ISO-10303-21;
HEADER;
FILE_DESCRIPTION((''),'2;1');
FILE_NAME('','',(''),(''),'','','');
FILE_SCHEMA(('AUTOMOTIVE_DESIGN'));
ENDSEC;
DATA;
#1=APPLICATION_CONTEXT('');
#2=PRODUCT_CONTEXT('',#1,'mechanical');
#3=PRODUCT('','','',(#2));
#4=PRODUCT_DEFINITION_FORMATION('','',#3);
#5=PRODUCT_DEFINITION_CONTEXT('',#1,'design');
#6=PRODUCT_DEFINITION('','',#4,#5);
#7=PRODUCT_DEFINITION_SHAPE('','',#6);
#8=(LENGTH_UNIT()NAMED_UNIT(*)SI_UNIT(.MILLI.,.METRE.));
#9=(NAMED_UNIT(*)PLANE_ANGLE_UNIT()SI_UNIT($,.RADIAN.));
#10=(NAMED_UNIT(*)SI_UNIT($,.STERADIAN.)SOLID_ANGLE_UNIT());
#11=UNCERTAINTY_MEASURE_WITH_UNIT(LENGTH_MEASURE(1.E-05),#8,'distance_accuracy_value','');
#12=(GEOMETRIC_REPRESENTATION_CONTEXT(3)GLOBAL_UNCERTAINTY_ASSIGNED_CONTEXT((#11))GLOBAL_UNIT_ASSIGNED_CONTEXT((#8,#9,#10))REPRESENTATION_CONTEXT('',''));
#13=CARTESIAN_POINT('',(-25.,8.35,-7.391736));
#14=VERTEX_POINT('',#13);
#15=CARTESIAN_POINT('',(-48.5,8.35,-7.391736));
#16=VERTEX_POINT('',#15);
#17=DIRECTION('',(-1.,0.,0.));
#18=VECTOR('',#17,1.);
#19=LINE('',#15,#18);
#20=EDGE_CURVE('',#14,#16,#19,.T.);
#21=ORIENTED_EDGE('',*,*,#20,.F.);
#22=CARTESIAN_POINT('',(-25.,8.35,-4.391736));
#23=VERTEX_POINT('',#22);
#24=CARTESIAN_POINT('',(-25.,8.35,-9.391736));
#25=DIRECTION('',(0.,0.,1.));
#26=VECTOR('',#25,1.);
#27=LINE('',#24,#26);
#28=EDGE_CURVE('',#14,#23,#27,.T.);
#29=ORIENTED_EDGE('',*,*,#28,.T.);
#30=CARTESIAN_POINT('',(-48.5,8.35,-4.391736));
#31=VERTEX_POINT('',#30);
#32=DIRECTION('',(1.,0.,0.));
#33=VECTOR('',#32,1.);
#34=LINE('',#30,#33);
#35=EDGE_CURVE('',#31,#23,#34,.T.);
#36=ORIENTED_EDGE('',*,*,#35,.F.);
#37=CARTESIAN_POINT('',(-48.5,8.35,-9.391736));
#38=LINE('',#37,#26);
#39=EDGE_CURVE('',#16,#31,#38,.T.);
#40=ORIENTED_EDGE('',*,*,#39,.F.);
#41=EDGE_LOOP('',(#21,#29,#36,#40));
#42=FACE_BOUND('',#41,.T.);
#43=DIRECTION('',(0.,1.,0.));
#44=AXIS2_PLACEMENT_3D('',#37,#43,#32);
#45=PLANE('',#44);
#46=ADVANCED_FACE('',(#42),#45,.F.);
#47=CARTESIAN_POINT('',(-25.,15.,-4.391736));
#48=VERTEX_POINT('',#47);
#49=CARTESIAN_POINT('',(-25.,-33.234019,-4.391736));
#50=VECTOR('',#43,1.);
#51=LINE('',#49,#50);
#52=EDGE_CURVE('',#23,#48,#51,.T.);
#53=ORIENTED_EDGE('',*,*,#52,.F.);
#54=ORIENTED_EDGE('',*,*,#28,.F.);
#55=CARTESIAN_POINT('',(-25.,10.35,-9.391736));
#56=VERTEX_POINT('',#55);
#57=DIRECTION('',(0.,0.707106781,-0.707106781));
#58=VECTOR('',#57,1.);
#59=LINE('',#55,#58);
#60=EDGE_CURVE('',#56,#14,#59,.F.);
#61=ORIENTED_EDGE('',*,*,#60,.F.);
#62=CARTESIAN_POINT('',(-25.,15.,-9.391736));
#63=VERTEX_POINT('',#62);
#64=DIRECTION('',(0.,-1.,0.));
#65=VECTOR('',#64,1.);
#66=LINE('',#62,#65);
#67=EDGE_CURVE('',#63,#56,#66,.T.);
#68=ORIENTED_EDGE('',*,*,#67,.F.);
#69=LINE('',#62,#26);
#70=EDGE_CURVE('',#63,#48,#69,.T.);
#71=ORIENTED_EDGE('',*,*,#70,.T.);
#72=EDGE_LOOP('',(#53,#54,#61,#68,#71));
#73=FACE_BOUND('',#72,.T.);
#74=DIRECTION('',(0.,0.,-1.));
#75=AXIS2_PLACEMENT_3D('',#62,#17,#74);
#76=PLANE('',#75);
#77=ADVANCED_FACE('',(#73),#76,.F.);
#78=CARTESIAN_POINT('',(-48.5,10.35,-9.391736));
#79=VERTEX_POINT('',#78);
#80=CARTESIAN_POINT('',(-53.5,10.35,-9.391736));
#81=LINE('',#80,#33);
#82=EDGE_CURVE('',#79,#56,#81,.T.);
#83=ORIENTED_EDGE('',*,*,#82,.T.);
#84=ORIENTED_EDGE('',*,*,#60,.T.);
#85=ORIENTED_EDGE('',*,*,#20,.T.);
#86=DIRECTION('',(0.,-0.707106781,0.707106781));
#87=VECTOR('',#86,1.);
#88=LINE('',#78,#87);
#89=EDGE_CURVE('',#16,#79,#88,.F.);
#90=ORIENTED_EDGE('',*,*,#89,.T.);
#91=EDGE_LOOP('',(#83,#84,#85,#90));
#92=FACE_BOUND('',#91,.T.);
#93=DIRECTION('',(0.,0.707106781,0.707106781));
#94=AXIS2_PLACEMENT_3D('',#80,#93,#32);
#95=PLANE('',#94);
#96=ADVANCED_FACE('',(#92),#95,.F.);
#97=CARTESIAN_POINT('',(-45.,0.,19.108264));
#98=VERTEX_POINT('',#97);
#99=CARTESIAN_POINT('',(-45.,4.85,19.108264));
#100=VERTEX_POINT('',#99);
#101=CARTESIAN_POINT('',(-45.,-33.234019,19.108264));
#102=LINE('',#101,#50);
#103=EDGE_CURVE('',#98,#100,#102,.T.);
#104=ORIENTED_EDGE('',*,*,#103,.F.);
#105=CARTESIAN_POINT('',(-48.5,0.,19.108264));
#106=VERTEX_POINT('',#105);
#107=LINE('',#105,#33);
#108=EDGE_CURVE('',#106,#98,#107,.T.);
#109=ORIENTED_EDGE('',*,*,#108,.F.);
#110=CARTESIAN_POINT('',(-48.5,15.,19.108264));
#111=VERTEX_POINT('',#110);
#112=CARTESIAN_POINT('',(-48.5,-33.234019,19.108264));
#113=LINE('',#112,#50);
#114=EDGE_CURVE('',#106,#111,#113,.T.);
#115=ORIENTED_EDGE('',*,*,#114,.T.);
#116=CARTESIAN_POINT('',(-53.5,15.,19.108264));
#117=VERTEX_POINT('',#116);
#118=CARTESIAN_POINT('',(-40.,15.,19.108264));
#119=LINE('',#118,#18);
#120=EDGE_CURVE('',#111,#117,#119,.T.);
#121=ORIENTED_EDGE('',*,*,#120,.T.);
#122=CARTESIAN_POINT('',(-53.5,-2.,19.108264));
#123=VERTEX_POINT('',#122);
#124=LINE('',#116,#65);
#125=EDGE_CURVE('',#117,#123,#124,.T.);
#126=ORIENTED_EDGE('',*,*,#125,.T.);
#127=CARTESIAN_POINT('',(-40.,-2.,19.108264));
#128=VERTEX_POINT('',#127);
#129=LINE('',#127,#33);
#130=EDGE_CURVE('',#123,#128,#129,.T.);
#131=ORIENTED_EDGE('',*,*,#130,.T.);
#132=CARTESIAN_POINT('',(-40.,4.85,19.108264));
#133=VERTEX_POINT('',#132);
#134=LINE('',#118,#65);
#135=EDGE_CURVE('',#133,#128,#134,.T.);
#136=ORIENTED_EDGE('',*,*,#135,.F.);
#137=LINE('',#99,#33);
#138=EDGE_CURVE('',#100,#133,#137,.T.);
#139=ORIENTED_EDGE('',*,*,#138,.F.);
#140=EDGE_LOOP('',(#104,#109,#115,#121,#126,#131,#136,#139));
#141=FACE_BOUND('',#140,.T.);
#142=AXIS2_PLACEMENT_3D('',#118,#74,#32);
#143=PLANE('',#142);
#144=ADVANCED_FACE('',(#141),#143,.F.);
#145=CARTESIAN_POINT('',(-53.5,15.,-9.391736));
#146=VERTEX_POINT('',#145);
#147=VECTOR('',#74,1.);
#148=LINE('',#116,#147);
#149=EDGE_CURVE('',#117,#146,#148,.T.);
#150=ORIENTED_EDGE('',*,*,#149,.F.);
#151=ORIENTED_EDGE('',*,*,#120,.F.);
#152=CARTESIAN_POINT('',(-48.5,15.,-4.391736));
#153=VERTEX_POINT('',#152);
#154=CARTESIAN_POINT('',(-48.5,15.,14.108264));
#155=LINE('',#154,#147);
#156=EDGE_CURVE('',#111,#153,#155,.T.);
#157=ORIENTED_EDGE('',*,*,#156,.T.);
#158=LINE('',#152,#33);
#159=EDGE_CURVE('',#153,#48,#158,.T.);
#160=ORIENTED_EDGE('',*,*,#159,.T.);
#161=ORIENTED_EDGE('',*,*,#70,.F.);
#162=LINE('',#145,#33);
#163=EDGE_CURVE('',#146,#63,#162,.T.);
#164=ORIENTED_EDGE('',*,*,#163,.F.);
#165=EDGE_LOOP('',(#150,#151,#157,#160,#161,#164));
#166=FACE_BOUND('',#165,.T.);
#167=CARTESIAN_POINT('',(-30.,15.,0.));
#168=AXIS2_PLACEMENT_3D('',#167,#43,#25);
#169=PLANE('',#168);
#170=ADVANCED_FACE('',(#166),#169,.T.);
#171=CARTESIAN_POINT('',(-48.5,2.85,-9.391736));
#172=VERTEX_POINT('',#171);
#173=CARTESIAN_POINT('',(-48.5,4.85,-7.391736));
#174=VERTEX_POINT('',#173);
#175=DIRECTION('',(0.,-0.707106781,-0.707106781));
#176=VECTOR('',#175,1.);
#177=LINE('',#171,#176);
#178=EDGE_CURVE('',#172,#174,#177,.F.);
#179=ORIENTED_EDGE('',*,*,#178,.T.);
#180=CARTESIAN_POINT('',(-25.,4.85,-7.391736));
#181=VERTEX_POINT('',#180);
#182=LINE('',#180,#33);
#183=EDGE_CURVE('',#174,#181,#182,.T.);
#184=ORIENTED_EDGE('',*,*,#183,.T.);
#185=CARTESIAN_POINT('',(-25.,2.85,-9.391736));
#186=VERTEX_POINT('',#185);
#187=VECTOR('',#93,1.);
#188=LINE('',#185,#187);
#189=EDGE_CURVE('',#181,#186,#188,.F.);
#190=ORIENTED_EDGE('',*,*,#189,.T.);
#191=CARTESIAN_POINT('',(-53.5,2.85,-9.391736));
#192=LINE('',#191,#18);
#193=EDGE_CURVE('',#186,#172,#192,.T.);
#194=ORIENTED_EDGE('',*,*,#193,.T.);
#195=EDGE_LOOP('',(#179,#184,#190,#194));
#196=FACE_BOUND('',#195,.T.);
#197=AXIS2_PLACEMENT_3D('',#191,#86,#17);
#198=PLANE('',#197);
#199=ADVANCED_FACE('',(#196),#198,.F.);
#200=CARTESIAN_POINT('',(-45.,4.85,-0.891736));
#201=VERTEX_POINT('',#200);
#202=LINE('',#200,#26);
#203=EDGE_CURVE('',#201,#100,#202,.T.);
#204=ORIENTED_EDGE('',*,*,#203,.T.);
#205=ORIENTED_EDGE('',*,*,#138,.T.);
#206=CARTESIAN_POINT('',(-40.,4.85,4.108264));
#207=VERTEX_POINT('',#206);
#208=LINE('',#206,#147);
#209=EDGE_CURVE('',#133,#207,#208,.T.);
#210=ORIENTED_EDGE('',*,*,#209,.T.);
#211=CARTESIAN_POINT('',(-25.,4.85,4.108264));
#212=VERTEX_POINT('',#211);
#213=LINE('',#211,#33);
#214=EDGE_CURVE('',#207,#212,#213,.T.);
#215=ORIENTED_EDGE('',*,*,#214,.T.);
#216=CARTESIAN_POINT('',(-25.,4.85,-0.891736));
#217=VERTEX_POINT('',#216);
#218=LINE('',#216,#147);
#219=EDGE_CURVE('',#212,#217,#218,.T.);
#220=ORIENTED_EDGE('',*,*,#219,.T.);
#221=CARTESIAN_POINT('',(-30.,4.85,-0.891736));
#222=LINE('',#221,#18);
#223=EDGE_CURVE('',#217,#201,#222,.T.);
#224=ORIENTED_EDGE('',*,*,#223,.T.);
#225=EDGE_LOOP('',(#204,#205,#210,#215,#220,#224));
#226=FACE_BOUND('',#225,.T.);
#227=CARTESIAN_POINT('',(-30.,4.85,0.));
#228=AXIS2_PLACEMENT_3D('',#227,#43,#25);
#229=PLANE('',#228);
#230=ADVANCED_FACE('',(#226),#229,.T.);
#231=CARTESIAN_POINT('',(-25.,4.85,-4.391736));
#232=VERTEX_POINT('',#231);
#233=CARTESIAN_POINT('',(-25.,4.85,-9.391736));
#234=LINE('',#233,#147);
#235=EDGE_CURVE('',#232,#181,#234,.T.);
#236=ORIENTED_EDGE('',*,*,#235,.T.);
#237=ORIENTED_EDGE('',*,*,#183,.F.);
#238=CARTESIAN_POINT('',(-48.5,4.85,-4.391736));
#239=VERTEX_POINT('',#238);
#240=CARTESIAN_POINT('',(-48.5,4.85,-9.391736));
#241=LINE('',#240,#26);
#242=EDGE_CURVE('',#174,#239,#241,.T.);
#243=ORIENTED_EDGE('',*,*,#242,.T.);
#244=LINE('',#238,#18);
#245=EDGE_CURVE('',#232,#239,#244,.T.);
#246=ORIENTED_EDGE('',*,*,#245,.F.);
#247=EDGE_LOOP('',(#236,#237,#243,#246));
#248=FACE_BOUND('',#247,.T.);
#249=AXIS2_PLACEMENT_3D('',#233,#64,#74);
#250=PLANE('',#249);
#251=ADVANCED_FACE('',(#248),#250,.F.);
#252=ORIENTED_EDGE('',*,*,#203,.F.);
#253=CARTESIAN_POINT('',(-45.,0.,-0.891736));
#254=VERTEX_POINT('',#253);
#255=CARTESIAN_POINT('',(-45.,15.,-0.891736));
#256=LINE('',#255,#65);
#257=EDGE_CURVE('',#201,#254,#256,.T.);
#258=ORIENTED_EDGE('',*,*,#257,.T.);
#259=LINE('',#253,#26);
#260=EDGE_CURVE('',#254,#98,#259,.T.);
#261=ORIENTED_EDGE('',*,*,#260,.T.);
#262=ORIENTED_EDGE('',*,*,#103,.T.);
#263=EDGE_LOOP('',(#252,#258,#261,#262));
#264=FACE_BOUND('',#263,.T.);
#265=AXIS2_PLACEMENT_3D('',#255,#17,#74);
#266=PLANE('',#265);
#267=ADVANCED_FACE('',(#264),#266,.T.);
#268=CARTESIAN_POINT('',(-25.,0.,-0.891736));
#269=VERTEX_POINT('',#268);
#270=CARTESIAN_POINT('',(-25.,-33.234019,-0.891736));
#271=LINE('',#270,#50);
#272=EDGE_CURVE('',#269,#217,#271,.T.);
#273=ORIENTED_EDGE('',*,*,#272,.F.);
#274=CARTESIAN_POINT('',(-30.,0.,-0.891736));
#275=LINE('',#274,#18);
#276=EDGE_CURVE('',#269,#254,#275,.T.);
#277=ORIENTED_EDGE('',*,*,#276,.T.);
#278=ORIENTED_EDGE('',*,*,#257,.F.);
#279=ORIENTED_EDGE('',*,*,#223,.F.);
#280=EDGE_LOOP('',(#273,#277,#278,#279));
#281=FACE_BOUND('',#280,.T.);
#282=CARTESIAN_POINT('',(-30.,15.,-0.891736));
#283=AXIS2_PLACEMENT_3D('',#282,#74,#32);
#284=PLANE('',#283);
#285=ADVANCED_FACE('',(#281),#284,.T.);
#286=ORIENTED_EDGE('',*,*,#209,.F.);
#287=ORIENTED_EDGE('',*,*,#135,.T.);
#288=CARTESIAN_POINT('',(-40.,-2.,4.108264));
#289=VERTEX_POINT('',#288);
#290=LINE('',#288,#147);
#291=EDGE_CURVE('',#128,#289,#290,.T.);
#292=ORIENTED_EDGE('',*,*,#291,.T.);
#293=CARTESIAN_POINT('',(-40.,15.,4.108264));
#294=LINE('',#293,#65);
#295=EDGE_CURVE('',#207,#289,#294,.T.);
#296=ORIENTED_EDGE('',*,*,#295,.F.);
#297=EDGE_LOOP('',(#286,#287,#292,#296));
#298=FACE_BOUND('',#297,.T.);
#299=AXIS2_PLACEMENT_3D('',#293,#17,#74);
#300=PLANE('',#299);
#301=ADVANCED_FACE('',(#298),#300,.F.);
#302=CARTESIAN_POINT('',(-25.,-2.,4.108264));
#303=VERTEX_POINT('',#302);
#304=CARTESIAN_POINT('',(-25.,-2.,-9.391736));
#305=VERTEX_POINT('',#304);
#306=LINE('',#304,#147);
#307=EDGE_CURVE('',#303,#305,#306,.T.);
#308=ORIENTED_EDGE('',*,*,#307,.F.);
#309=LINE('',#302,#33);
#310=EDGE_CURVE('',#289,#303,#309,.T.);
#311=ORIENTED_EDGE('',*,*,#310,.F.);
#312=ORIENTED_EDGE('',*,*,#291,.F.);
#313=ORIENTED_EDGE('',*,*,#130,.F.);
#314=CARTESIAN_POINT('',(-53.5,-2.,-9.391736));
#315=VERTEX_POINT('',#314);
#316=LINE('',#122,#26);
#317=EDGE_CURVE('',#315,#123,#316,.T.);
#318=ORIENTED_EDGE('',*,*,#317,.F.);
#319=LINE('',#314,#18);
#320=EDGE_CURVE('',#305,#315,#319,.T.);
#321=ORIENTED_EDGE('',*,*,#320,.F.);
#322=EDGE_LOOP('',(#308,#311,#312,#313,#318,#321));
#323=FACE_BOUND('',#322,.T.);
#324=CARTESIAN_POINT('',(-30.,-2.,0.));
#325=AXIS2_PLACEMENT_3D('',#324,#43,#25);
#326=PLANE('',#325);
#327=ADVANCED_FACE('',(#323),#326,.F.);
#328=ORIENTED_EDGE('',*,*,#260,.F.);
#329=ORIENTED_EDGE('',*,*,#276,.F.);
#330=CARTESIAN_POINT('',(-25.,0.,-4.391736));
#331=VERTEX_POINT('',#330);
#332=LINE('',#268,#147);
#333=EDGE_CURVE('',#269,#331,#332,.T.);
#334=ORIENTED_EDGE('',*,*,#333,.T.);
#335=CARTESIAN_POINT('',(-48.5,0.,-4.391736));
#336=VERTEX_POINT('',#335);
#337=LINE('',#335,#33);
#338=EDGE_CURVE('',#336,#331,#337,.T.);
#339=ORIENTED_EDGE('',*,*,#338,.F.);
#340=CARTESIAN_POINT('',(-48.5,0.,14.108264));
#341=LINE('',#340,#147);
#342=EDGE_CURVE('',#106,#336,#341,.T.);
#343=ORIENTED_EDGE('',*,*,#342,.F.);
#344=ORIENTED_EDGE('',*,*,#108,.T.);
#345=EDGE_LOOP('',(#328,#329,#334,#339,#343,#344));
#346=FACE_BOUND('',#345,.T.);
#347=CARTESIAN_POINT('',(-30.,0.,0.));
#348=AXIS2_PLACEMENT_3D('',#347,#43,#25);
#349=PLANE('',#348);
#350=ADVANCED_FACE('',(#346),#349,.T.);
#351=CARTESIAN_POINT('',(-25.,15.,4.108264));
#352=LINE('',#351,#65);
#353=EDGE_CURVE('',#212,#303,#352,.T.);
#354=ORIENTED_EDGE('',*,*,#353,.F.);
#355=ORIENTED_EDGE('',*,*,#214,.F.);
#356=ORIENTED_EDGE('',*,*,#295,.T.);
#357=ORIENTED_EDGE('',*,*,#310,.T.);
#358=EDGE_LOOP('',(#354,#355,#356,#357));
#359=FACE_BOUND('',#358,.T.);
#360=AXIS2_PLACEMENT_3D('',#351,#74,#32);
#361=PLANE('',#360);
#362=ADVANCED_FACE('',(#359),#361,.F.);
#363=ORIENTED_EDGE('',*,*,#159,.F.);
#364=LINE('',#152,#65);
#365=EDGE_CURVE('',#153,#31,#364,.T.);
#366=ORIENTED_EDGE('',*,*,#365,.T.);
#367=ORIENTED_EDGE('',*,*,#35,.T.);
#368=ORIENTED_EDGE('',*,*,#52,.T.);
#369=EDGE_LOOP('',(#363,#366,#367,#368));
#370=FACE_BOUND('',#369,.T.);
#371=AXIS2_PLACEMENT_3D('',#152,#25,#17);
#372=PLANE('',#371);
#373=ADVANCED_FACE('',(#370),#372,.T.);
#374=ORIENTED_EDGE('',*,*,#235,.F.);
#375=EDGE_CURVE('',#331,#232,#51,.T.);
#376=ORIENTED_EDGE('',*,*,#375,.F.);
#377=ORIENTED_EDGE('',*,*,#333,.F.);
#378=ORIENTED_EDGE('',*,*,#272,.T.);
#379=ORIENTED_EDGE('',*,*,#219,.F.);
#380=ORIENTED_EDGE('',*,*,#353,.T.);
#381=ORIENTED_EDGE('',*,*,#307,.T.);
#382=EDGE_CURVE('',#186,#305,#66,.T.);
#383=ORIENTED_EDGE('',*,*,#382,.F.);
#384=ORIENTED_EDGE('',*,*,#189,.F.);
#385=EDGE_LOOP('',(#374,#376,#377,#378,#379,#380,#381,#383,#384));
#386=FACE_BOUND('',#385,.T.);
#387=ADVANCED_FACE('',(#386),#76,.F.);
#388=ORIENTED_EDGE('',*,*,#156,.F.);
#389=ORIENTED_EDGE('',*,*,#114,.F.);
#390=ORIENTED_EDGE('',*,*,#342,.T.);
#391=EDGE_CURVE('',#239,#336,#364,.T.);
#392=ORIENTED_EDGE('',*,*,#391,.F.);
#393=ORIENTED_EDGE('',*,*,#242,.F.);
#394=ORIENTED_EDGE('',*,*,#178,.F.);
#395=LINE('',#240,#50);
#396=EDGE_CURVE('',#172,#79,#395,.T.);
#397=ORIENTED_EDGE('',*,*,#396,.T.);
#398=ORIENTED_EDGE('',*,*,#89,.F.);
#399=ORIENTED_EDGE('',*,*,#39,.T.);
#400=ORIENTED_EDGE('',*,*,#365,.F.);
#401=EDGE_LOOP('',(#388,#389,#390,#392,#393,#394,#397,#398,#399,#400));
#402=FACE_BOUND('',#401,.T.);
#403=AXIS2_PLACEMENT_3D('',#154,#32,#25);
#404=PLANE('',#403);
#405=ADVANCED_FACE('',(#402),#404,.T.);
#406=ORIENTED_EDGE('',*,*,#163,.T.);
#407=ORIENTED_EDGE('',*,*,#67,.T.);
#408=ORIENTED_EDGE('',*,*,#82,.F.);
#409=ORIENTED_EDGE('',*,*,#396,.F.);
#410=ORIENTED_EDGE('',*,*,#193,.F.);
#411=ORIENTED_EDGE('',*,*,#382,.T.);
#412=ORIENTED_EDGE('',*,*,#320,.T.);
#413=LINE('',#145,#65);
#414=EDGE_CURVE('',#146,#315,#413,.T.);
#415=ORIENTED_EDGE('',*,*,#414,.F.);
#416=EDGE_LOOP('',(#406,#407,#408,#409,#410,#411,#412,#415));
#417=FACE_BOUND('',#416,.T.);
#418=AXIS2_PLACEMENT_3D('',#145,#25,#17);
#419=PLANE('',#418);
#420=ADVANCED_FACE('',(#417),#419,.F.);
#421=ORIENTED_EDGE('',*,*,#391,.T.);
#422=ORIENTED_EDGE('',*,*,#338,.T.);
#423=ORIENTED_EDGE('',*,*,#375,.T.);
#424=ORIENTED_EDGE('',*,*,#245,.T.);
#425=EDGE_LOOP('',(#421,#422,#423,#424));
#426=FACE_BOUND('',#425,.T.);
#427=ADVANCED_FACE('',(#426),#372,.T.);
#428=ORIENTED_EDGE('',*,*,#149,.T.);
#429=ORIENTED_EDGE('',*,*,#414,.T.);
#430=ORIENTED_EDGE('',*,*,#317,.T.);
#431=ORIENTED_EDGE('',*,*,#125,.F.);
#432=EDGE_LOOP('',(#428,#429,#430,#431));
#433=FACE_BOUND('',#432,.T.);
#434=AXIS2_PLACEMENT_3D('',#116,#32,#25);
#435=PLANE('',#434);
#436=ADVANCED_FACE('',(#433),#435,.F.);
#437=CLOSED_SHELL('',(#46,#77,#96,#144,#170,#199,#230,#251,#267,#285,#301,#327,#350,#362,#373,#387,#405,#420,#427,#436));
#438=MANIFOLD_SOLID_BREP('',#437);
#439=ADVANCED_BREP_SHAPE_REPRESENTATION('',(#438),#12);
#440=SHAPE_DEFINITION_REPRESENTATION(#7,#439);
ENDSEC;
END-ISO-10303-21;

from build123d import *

# Parameters (mm, degrees)
BOSS_EXTRUDE1_DEPTH     = 15
BOSS_EXTRUDE2_DEPTH     = 2
CUT_EXTRUDE1_DEPTH      = 10.15
CUT_EXTRUDE2_DEPTH      = 4.85
CUT_EXTRUDE5_DEPTH      = 37.462309307
CUT_EXTRUDE5_DEPTH_BACK = 37.462309307
CHAMFER3_SIZE           = 2
CUT_EXTRUDE6_DEPTH      = 60.299036748
CUT_EXTRUDE6_DEPTH_BACK = 60.299036748
SKETCH6_W               = 39.703071578
SKETCH6_H               = 42.363425718


with BuildPart() as part:
    # Sketch1 → Boss-Extrude1 (new body)
    with BuildSketch(Plane(origin=(0, 0, 0), x_dir=(1, 0, 0), z_dir=(0, 1, 0))):
        Polygon((23.5, 9.391735838), (-5, 9.391735838), (-5, -4.108264162), (10, -4.108264162), (10, -19.108264162), (23.5, -19.108264162), align=None)
        Polygon((0, 4.391735838), (0, 0.891735838), (15, 0.891735838), (15, -14.108264162), (18.5, -14.108264162), (18.5, 4.391735838), align=None, mode=Mode.SUBTRACT)
    extrude(amount=BOSS_EXTRUDE1_DEPTH)

    # Sketch2 → Boss-Extrude2 (add)
    with BuildSketch(Plane.XZ):
        Polygon((-5, 4.108264162), (10, 4.108264162), (10, 19.108264162), (23.5, 19.108264162), (23.5, -9.391735838), (-5, -9.391735838), align=None)
    extrude(amount=BOSS_EXTRUDE2_DEPTH)

    # Sketch3 → Cut-Extrude1 (cut)
    with BuildSketch(Plane(origin=(0, 15, 0), x_dir=(1, 0, 0), z_dir=(0, 1, 0))):
        Polygon((18.5, 4.391735838), (-5, 4.391735838), (-5, 0.891735838), (-5, -4.108264162), (10, -4.108264162), (10, -19.108264162), (15, -19.108264162), (18.5, -19.108264162), align=None)
    extrude(amount=-CUT_EXTRUDE1_DEPTH, mode=Mode.SUBTRACT)

    # Sketch4 → Cut-Extrude2 (cut)
    with BuildSketch(Plane(origin=(0, 4.85, 0), x_dir=(1, 0, 0), z_dir=(0, 1, 0))):
        Polygon((-5, 4.391735838), (18.5, 4.391735838), (18.5, -19.108264162), (15, -19.108264162), (15, 0.891735838), (-5, 0.891735838), align=None)
    extrude(amount=-CUT_EXTRUDE2_DEPTH, mode=Mode.SUBTRACT)

    # Sketch5 → Cut-Extrude5 (cut, two sides: drawn at the far end of the back side and taken through both)
    with BuildSketch(Plane.XY.offset(-4.391735838).offset(-CUT_EXTRUDE5_DEPTH_BACK)):
        Polygon((-5, 4.85), (18.5, 4.85), (18.5, 8.35), (-10.741212184, 8.35), (-10.741212184, 4.85), align=None)
    extrude(amount=CUT_EXTRUDE5_DEPTH + CUT_EXTRUDE5_DEPTH_BACK, mode=Mode.SUBTRACT)

    # Chamfer3
    chamfer3_edges = [part.edges().sort_by_distance(p)[0] for p in [
        (6.75, 8.35, -9.391735838),
        (6.75, 4.85, -9.391735838),
    ]]
    chamfer(chamfer3_edges, length=CHAMFER3_SIZE)


with BuildPart() as body_2:
    # Mirror1: mirrored copy
    add(part.part.mirror(Plane.ZY.offset(15)))


with BuildPart() as part_1:
    add(part.part)

    # Sketch6 → Cut-Extrude6 (cut, two sides: drawn at the far end of the back side and taken through both)
    with BuildSketch(Plane(origin=(0, 15, 0), x_dir=(1, 0, 0), z_dir=(0, 1, 0)).offset(-CUT_EXTRUDE6_DEPTH_BACK)):
        with Locations((10, -4.108264162)):
            Rectangle(SKETCH6_W, SKETCH6_H)
    extrude(amount=CUT_EXTRUDE6_DEPTH + CUT_EXTRUDE6_DEPTH_BACK, mode=Mode.SUBTRACT)


solid = body_2.part
